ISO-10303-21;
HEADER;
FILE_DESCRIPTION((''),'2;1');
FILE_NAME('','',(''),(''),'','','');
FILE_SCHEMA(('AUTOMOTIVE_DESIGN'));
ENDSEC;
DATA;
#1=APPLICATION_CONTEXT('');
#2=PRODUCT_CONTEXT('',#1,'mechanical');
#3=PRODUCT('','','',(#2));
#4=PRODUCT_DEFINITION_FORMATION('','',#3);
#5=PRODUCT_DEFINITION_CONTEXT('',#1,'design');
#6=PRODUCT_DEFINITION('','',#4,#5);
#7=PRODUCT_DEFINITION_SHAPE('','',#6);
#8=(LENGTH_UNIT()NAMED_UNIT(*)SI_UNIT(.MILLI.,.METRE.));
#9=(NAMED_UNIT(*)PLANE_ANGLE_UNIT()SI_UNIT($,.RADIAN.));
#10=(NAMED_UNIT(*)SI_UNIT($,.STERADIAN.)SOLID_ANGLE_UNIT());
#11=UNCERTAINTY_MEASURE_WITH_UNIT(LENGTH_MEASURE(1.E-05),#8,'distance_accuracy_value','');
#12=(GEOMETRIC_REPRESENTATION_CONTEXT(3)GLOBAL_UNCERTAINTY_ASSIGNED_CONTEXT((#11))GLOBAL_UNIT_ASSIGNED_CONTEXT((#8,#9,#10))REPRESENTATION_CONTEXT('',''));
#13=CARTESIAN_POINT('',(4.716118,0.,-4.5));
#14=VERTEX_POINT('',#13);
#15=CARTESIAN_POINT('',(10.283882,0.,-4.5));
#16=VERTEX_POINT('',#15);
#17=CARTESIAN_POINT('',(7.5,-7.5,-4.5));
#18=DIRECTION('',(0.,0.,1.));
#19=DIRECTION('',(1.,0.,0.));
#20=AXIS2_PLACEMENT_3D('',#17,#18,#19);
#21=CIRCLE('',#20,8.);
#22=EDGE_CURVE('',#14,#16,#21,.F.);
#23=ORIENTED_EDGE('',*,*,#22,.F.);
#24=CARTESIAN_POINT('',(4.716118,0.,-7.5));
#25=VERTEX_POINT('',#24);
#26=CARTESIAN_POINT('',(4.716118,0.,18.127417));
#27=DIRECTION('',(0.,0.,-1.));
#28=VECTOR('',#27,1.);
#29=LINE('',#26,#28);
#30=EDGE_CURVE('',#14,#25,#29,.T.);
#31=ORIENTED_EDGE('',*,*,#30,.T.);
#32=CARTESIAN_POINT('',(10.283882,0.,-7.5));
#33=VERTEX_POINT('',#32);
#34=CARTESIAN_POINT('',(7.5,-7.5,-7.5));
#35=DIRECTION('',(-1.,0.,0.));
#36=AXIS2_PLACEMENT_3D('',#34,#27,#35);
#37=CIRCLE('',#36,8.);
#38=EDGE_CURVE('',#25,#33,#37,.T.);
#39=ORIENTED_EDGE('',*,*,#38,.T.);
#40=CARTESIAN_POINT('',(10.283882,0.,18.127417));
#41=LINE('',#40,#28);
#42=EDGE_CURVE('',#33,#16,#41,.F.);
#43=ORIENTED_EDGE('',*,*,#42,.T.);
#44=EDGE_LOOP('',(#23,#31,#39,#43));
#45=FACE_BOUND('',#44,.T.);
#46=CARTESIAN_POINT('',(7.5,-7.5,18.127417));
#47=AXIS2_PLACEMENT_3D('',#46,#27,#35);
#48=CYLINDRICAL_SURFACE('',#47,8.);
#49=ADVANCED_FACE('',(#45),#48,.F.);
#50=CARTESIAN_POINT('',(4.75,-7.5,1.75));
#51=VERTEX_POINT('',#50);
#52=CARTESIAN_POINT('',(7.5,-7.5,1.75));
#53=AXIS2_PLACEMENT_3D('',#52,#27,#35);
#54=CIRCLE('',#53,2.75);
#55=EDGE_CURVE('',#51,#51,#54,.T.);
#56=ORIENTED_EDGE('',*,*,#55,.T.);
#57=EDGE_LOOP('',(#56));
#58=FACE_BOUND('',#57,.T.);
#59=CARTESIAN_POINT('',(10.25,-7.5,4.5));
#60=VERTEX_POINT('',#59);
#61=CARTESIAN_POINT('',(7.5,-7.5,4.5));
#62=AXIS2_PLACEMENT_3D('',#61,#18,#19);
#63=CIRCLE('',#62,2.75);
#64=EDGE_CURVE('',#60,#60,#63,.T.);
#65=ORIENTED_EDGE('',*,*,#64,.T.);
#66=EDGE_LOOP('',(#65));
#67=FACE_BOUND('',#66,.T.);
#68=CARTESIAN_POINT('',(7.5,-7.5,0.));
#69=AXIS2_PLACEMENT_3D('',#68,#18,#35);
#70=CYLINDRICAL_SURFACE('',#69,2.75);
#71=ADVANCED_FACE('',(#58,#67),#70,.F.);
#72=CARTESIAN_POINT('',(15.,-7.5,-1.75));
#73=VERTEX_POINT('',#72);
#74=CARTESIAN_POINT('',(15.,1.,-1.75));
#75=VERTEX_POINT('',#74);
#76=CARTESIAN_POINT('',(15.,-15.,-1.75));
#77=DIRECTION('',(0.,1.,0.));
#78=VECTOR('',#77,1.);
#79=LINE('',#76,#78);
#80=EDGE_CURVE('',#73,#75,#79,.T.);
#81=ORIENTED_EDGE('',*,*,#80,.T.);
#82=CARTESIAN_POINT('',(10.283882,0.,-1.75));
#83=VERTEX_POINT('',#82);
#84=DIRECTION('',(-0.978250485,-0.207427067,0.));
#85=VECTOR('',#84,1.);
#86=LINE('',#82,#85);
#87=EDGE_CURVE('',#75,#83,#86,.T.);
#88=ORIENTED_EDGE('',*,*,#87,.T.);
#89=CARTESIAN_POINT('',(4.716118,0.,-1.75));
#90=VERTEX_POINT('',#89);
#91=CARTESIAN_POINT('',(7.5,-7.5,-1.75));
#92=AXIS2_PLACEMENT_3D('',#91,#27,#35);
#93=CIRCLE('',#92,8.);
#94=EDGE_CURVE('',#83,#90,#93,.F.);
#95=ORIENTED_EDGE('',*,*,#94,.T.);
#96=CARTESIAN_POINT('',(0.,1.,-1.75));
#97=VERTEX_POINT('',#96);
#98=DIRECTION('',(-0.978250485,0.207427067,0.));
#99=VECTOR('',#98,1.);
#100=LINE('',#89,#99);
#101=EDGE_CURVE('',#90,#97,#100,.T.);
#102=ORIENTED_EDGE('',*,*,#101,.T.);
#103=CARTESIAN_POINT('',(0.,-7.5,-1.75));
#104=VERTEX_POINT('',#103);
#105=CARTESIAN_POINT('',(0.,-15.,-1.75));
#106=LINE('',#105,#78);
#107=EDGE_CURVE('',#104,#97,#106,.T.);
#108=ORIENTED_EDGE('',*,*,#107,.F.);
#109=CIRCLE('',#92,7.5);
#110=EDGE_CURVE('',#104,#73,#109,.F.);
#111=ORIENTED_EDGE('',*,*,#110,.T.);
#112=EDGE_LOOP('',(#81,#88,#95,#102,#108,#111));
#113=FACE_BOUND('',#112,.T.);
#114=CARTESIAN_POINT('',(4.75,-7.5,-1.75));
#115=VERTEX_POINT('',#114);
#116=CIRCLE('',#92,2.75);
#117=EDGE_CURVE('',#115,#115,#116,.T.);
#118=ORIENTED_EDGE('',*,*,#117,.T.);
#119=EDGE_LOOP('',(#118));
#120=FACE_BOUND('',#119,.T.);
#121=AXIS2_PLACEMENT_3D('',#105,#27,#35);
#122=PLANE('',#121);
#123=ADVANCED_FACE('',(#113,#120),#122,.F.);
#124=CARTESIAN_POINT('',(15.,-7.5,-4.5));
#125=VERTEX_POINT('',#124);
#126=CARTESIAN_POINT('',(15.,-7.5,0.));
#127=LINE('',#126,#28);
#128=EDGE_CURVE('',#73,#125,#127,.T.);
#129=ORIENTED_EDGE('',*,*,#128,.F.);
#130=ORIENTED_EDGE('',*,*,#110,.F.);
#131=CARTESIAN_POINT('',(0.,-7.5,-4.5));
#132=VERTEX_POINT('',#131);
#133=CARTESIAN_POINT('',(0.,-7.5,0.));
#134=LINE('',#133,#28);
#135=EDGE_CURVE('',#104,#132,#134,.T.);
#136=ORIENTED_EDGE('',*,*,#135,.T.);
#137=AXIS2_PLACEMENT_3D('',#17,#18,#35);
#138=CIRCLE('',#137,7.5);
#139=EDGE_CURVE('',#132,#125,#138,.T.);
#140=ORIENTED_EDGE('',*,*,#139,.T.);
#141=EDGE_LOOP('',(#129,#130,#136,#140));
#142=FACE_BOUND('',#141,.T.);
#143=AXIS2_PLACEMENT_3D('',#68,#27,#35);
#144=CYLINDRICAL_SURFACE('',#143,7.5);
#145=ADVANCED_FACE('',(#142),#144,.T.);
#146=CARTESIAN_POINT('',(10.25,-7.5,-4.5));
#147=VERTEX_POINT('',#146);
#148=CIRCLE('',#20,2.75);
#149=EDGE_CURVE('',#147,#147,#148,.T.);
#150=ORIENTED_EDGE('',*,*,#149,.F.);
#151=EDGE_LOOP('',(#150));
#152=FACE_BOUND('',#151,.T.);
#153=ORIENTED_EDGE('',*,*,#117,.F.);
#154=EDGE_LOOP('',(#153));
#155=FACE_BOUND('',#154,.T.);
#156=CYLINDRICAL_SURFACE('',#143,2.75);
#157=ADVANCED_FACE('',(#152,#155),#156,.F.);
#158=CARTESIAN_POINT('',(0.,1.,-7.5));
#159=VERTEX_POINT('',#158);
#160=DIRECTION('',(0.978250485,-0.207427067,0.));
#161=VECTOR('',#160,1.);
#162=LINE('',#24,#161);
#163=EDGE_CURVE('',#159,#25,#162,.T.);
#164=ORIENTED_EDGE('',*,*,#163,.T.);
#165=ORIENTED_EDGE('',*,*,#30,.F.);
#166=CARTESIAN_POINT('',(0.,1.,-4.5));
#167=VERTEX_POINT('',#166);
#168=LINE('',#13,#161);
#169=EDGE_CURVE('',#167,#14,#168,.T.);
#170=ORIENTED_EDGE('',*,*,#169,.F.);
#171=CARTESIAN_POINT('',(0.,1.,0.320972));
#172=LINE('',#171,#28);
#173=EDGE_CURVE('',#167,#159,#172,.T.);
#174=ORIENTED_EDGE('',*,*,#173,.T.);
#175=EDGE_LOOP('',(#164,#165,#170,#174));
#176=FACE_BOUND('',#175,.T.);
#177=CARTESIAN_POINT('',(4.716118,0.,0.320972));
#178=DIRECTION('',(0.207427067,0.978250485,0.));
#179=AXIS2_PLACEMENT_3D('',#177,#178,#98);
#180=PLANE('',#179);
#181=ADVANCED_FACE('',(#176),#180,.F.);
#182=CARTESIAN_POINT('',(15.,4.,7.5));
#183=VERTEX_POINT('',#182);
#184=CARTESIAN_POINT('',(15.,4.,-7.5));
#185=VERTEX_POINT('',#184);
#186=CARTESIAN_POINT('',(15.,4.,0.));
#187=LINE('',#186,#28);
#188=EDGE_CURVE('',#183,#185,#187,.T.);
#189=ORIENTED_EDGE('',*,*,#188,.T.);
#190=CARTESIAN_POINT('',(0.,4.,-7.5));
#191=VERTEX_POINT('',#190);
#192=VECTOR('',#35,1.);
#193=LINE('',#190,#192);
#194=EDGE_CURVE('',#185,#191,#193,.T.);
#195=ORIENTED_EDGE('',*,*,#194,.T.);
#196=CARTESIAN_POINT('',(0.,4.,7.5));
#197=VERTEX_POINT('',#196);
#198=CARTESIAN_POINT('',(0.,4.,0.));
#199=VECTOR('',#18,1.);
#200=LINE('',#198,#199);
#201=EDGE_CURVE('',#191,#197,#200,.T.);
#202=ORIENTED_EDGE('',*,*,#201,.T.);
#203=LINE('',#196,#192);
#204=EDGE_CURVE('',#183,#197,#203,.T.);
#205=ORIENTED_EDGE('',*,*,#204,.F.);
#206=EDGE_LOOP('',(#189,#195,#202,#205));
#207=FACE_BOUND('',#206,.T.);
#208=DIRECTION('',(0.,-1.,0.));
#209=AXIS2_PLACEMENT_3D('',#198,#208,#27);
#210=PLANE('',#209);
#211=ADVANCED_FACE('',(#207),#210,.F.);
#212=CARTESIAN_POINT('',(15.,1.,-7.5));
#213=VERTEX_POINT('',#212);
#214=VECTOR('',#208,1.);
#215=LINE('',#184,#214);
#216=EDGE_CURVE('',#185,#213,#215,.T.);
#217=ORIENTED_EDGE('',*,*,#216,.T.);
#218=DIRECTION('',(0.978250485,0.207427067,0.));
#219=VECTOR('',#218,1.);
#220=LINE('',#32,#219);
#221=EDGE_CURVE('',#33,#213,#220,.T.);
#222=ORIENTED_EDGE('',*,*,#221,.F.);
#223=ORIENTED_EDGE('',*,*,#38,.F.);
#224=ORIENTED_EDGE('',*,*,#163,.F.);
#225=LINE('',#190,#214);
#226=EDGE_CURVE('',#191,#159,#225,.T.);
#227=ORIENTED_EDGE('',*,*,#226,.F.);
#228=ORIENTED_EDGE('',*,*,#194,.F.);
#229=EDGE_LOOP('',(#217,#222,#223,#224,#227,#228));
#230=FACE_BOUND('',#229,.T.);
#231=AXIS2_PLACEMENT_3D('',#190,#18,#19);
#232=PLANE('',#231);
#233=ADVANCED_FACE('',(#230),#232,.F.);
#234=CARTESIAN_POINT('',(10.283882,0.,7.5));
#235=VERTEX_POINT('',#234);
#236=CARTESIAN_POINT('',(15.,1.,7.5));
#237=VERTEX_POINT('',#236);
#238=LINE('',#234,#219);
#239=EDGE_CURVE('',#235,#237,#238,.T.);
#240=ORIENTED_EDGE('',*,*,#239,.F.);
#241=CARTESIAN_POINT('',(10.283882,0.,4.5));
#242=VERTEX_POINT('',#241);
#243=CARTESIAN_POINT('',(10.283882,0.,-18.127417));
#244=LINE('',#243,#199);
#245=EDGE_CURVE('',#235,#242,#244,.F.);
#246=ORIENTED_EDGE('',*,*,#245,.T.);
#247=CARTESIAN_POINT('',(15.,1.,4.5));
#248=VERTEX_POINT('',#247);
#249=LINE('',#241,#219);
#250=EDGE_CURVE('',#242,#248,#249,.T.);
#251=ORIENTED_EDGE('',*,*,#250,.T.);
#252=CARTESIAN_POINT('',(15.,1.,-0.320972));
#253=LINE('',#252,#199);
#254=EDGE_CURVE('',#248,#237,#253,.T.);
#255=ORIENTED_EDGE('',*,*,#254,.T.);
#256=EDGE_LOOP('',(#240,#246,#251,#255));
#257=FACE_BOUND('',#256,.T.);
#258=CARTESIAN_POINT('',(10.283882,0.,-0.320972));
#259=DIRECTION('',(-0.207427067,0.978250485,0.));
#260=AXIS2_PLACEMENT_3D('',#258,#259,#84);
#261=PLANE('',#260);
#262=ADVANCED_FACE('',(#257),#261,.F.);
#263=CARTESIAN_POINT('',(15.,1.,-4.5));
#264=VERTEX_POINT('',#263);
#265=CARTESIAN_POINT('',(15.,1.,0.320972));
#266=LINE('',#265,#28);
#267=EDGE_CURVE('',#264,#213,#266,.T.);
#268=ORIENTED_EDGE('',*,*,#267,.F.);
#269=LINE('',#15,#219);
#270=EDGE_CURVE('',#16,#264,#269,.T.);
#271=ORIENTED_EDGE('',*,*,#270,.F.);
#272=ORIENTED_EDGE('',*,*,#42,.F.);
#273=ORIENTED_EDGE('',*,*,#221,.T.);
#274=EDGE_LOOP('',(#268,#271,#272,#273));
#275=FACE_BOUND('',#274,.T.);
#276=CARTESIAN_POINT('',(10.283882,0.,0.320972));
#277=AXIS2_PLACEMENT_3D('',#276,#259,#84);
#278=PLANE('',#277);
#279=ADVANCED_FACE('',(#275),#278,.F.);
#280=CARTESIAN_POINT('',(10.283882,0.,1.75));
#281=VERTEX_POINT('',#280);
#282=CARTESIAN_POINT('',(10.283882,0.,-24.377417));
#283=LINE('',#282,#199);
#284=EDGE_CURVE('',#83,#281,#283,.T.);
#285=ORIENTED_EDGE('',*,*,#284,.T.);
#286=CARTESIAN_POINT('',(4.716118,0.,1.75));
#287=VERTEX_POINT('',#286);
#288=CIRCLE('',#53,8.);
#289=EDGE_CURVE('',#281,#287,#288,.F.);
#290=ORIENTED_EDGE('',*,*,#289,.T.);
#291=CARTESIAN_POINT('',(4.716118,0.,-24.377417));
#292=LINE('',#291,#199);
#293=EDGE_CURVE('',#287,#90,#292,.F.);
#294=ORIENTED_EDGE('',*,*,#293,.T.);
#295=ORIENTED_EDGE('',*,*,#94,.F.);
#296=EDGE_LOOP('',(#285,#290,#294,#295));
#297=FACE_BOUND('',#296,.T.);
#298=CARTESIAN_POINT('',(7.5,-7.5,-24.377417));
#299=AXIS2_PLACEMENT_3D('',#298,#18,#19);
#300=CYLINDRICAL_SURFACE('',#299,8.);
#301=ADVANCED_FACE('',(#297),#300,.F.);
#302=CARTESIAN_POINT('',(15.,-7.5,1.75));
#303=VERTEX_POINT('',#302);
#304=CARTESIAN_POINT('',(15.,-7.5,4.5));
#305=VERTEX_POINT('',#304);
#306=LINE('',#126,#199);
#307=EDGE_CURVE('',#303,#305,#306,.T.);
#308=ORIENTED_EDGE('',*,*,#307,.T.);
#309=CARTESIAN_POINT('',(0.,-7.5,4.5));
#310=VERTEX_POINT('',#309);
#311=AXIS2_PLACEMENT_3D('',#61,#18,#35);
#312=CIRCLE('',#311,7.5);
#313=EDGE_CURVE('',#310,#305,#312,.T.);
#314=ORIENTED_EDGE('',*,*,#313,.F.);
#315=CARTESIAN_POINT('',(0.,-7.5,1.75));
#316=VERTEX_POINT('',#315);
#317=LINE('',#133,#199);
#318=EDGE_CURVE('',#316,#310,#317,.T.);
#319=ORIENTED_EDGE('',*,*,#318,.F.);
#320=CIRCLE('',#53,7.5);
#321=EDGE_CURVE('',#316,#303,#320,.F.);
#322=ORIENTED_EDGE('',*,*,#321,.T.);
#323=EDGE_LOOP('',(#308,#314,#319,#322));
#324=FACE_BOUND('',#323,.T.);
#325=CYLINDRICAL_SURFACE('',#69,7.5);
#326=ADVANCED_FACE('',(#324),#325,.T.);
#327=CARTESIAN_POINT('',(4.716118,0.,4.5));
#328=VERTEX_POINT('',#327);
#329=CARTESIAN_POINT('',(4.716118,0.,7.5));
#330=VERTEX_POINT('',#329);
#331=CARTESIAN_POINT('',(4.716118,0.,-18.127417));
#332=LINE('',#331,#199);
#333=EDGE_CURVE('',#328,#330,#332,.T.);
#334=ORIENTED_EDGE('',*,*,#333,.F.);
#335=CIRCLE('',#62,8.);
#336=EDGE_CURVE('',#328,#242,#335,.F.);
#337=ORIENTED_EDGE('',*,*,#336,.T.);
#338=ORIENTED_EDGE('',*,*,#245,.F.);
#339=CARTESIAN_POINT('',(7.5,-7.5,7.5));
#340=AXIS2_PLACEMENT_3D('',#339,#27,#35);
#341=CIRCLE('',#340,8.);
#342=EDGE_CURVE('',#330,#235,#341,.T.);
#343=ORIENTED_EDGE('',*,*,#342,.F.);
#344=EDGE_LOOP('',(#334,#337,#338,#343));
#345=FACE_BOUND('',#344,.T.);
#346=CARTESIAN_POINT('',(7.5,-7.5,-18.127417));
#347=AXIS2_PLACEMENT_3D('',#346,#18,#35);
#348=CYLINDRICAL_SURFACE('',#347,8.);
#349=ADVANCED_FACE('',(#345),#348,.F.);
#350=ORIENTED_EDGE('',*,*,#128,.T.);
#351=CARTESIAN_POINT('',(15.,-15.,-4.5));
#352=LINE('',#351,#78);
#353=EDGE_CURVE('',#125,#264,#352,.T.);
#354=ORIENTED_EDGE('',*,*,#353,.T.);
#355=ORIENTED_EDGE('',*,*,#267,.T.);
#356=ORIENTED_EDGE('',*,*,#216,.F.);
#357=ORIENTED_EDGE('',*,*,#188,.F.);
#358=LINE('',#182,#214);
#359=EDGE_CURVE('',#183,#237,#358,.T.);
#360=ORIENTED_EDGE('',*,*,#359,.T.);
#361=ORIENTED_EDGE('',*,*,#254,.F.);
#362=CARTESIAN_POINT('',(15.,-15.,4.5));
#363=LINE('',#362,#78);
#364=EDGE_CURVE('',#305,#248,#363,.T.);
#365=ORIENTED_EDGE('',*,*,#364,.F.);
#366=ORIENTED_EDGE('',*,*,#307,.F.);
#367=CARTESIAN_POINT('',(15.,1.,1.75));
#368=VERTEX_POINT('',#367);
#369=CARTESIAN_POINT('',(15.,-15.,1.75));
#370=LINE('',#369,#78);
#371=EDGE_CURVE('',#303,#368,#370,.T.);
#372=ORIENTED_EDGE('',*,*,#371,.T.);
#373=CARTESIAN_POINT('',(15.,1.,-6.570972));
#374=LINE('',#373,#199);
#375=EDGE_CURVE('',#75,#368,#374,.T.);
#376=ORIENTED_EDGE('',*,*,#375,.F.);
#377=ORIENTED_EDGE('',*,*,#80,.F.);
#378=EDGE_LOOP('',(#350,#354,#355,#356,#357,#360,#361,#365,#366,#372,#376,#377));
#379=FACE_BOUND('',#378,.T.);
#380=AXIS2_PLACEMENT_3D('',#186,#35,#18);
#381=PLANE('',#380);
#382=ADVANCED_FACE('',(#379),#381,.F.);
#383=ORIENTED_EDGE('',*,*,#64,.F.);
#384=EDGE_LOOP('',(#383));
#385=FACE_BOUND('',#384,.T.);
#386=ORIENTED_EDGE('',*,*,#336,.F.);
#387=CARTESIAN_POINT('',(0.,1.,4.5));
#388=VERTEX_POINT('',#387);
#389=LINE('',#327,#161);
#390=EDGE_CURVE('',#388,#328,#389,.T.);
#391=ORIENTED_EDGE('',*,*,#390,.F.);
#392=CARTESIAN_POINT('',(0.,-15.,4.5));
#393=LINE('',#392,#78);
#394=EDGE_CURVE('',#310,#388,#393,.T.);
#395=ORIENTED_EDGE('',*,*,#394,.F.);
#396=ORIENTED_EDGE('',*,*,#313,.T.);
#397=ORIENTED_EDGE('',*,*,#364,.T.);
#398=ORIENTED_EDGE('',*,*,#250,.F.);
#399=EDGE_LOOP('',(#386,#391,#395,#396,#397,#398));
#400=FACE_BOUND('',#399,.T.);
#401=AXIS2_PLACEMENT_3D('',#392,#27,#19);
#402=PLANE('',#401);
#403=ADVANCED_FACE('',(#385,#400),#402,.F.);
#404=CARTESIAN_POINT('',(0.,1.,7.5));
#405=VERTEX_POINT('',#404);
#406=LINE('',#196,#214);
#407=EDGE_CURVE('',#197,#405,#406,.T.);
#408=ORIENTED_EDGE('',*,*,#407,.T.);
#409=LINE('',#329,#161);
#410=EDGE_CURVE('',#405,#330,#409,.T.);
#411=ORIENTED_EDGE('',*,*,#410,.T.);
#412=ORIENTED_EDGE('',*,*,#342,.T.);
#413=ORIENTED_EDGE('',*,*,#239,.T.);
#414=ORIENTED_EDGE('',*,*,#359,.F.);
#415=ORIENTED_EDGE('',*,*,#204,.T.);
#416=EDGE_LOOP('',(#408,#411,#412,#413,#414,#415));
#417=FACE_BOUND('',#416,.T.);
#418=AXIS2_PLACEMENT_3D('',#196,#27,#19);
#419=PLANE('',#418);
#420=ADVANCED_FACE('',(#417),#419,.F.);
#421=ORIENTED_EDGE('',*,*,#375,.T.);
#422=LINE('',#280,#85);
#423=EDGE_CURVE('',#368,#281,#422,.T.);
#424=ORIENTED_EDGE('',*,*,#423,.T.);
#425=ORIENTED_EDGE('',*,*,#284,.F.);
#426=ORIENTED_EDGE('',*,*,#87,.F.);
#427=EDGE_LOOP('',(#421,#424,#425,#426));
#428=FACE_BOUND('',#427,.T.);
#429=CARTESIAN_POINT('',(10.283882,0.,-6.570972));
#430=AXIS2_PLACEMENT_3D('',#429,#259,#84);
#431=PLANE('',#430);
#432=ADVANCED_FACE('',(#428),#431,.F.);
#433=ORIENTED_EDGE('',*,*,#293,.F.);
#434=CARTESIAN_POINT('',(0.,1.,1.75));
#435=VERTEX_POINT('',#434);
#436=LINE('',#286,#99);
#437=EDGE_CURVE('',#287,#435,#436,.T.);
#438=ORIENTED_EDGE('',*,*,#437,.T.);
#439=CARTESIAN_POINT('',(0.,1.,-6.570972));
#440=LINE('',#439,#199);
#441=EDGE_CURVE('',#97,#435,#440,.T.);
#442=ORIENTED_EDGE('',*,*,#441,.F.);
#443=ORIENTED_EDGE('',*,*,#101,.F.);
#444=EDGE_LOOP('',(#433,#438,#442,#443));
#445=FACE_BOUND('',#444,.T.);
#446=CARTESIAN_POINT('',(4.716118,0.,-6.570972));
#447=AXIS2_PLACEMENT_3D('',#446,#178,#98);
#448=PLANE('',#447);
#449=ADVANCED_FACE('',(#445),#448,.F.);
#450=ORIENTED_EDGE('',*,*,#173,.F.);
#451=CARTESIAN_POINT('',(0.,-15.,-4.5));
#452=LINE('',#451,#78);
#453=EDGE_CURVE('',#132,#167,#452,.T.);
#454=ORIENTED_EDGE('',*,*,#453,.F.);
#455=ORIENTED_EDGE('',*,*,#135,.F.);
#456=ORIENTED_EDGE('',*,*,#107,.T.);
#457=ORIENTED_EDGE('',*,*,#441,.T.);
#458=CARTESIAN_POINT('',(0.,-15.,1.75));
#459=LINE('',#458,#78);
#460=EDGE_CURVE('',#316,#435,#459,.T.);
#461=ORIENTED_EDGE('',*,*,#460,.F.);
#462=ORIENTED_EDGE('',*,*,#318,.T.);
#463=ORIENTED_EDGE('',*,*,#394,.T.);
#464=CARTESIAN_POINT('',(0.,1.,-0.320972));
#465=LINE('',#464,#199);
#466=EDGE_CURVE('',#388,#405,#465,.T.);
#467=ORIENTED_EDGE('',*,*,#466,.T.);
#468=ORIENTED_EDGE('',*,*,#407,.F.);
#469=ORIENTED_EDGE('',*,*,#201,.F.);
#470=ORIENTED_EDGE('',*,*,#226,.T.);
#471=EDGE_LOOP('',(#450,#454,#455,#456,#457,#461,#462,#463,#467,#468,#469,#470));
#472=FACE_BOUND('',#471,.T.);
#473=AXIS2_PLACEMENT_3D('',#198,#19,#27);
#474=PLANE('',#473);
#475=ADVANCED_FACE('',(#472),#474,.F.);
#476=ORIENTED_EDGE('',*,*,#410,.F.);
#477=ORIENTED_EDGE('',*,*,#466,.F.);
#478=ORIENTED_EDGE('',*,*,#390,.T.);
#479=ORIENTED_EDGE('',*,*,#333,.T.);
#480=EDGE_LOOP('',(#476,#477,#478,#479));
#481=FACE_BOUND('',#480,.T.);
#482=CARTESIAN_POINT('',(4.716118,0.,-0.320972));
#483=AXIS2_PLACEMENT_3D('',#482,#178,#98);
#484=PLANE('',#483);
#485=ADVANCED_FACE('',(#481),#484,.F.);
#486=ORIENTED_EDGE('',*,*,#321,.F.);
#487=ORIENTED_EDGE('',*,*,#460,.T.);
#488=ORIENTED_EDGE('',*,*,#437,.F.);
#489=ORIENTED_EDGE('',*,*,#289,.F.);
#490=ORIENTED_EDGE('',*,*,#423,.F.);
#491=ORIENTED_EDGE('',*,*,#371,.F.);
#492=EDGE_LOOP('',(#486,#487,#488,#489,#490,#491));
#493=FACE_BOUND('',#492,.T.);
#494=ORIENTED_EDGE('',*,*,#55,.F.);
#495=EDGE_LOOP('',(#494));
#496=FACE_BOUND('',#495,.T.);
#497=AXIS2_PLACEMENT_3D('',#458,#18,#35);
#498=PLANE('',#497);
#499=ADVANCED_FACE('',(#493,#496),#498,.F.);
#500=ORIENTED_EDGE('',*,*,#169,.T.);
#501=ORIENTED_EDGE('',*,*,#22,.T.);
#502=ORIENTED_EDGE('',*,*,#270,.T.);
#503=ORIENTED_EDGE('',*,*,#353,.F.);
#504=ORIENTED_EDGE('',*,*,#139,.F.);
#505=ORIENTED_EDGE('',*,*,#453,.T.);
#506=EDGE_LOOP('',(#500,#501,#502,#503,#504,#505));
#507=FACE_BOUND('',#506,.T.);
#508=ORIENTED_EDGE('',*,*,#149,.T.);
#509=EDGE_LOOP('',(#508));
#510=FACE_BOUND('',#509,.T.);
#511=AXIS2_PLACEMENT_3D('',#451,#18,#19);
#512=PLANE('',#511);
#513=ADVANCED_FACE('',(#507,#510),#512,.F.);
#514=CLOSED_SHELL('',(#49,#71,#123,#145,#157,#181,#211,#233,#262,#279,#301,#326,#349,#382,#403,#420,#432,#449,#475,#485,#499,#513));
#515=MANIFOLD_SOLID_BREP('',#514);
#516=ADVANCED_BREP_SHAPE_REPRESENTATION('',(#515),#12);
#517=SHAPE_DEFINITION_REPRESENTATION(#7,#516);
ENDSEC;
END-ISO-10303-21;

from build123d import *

# Parameters (mm, degrees)
SKETCH1_W           = 15
SKETCH1_H           = 7.5
BOSS_EXTRUDE1_DEPTH = 4
SKETCH3_W           = 15
SKETCH3_H           = 2.75
BOSS_EXTRUDE3_DEPTH = 15
CUT_EXTRUDE2_DEPTH  = 22.685248442
SKETCH6_R           = 2.75
CUT_EXTRUDE3_DEPTH  = 23.5
SKETCH10_R          = 8
CUT_EXTRUDE6_DEPTH  = 3
CUT_EXTRUDE9_START  = -1.75
SKETCH13_R          = 8
CUT_EXTRUDE9_DEPTH  = 1.75
CUT_EXTRUDE8_DEPTH  = 3
CUT_EXTRUDE10_DEPTH = 1.75


with BuildPart() as part:
    # Sketch1 → Boss-Extrude1 (new body)
    with BuildSketch(Plane(origin=(0, 0, 0), x_dir=(1, 0, 0), z_dir=(0, 1, 0))):
        with Locations((7.5, 3.75)):
            Rectangle(SKETCH1_W, SKETCH1_H)
    extrude(amount=BOSS_EXTRUDE1_DEPTH)

    # Sketch3 → Boss-Extrude3 (add)
    with BuildSketch(Plane.XZ):
        with Locations((7.5, -3.125)):
            Rectangle(SKETCH3_W, SKETCH3_H)
    extrude(amount=BOSS_EXTRUDE3_DEPTH)

    # Sketch5 → Cut-Extrude2 (cut, through all)
    with BuildSketch(Plane(origin=(0, 0, -4.5), x_dir=(-1, 0, 0), z_dir=(0, 0, -1))):
        with BuildLine():
            Line((-15, -7.5), (-15, -17.341994959))
            Line((-15, -17.341994959), (0, -17.341994959))
            Line((0, -17.341994959), (0, -7.5))
            ThreePointArc((0, -7.5), (-7.5, -15), (-15, -7.5))
        make_face()
    extrude(amount=-CUT_EXTRUDE2_DEPTH, mode=Mode.SUBTRACT)

    # Sketch6 → Cut-Extrude3 (cut, through all)
    with BuildSketch(Plane(origin=(0, 0, -7.5), x_dir=(-1, 0, 0), z_dir=(0, 0, -1))):
        with Locations((-7.5, -7.5)):
            Circle(SKETCH6_R)
    extrude(amount=-CUT_EXTRUDE3_DEPTH, mode=Mode.SUBTRACT)

    # Sketch10 → Cut-Extrude6 (cut)
    with BuildSketch(Plane(origin=(0, 0, -7.5), x_dir=(-1, 0, 0), z_dir=(0, 0, -1))):
        with Locations((-7.5, -7.5)):
            Circle(SKETCH10_R)
    extrude(amount=-CUT_EXTRUDE6_DEPTH, mode=Mode.SUBTRACT)

    # Sketch13 → Cut-Extrude9 (cut)
    with BuildSketch(Plane.XY.offset(CUT_EXTRUDE9_START)):
        with Locations((7.5, -7.5)):
            Circle(SKETCH13_R)
    extrude(amount=CUT_EXTRUDE9_DEPTH, mode=Mode.SUBTRACT)

    # Sketch12 → Cut-Extrude8 (cut)
    with BuildSketch(Plane(origin=(0, 0, -7.5), x_dir=(-1, 0, 0), z_dir=(0, 0, -1))):
        Polygon((-10.283882181, 0), (-15, 1), (-15, 0), align=None)
        Polygon((-4.716117819, 0), (0, 1), (0, 0), align=None)
    extrude(amount=-CUT_EXTRUDE8_DEPTH, mode=Mode.SUBTRACT)

    # Sketch14 → Cut-Extrude10 (cut)
    with BuildSketch(Plane.XY):
        Polygon((4.716117819, 0), (0, 1), (0, 0), align=None)
        Polygon((10.283882181, 0), (15, 1), (15, 0), align=None)
    extrude(amount=-CUT_EXTRUDE10_DEPTH, mode=Mode.SUBTRACT)

    # Mirror1: part across plane


with BuildPart() as part_1:
    add(part.part)
    add(part.part.mirror(Plane(origin=(0, 4, 0), x_dir=(1, 0, 0), z_dir=(0, 0, -1))))


solid = part_1.part
